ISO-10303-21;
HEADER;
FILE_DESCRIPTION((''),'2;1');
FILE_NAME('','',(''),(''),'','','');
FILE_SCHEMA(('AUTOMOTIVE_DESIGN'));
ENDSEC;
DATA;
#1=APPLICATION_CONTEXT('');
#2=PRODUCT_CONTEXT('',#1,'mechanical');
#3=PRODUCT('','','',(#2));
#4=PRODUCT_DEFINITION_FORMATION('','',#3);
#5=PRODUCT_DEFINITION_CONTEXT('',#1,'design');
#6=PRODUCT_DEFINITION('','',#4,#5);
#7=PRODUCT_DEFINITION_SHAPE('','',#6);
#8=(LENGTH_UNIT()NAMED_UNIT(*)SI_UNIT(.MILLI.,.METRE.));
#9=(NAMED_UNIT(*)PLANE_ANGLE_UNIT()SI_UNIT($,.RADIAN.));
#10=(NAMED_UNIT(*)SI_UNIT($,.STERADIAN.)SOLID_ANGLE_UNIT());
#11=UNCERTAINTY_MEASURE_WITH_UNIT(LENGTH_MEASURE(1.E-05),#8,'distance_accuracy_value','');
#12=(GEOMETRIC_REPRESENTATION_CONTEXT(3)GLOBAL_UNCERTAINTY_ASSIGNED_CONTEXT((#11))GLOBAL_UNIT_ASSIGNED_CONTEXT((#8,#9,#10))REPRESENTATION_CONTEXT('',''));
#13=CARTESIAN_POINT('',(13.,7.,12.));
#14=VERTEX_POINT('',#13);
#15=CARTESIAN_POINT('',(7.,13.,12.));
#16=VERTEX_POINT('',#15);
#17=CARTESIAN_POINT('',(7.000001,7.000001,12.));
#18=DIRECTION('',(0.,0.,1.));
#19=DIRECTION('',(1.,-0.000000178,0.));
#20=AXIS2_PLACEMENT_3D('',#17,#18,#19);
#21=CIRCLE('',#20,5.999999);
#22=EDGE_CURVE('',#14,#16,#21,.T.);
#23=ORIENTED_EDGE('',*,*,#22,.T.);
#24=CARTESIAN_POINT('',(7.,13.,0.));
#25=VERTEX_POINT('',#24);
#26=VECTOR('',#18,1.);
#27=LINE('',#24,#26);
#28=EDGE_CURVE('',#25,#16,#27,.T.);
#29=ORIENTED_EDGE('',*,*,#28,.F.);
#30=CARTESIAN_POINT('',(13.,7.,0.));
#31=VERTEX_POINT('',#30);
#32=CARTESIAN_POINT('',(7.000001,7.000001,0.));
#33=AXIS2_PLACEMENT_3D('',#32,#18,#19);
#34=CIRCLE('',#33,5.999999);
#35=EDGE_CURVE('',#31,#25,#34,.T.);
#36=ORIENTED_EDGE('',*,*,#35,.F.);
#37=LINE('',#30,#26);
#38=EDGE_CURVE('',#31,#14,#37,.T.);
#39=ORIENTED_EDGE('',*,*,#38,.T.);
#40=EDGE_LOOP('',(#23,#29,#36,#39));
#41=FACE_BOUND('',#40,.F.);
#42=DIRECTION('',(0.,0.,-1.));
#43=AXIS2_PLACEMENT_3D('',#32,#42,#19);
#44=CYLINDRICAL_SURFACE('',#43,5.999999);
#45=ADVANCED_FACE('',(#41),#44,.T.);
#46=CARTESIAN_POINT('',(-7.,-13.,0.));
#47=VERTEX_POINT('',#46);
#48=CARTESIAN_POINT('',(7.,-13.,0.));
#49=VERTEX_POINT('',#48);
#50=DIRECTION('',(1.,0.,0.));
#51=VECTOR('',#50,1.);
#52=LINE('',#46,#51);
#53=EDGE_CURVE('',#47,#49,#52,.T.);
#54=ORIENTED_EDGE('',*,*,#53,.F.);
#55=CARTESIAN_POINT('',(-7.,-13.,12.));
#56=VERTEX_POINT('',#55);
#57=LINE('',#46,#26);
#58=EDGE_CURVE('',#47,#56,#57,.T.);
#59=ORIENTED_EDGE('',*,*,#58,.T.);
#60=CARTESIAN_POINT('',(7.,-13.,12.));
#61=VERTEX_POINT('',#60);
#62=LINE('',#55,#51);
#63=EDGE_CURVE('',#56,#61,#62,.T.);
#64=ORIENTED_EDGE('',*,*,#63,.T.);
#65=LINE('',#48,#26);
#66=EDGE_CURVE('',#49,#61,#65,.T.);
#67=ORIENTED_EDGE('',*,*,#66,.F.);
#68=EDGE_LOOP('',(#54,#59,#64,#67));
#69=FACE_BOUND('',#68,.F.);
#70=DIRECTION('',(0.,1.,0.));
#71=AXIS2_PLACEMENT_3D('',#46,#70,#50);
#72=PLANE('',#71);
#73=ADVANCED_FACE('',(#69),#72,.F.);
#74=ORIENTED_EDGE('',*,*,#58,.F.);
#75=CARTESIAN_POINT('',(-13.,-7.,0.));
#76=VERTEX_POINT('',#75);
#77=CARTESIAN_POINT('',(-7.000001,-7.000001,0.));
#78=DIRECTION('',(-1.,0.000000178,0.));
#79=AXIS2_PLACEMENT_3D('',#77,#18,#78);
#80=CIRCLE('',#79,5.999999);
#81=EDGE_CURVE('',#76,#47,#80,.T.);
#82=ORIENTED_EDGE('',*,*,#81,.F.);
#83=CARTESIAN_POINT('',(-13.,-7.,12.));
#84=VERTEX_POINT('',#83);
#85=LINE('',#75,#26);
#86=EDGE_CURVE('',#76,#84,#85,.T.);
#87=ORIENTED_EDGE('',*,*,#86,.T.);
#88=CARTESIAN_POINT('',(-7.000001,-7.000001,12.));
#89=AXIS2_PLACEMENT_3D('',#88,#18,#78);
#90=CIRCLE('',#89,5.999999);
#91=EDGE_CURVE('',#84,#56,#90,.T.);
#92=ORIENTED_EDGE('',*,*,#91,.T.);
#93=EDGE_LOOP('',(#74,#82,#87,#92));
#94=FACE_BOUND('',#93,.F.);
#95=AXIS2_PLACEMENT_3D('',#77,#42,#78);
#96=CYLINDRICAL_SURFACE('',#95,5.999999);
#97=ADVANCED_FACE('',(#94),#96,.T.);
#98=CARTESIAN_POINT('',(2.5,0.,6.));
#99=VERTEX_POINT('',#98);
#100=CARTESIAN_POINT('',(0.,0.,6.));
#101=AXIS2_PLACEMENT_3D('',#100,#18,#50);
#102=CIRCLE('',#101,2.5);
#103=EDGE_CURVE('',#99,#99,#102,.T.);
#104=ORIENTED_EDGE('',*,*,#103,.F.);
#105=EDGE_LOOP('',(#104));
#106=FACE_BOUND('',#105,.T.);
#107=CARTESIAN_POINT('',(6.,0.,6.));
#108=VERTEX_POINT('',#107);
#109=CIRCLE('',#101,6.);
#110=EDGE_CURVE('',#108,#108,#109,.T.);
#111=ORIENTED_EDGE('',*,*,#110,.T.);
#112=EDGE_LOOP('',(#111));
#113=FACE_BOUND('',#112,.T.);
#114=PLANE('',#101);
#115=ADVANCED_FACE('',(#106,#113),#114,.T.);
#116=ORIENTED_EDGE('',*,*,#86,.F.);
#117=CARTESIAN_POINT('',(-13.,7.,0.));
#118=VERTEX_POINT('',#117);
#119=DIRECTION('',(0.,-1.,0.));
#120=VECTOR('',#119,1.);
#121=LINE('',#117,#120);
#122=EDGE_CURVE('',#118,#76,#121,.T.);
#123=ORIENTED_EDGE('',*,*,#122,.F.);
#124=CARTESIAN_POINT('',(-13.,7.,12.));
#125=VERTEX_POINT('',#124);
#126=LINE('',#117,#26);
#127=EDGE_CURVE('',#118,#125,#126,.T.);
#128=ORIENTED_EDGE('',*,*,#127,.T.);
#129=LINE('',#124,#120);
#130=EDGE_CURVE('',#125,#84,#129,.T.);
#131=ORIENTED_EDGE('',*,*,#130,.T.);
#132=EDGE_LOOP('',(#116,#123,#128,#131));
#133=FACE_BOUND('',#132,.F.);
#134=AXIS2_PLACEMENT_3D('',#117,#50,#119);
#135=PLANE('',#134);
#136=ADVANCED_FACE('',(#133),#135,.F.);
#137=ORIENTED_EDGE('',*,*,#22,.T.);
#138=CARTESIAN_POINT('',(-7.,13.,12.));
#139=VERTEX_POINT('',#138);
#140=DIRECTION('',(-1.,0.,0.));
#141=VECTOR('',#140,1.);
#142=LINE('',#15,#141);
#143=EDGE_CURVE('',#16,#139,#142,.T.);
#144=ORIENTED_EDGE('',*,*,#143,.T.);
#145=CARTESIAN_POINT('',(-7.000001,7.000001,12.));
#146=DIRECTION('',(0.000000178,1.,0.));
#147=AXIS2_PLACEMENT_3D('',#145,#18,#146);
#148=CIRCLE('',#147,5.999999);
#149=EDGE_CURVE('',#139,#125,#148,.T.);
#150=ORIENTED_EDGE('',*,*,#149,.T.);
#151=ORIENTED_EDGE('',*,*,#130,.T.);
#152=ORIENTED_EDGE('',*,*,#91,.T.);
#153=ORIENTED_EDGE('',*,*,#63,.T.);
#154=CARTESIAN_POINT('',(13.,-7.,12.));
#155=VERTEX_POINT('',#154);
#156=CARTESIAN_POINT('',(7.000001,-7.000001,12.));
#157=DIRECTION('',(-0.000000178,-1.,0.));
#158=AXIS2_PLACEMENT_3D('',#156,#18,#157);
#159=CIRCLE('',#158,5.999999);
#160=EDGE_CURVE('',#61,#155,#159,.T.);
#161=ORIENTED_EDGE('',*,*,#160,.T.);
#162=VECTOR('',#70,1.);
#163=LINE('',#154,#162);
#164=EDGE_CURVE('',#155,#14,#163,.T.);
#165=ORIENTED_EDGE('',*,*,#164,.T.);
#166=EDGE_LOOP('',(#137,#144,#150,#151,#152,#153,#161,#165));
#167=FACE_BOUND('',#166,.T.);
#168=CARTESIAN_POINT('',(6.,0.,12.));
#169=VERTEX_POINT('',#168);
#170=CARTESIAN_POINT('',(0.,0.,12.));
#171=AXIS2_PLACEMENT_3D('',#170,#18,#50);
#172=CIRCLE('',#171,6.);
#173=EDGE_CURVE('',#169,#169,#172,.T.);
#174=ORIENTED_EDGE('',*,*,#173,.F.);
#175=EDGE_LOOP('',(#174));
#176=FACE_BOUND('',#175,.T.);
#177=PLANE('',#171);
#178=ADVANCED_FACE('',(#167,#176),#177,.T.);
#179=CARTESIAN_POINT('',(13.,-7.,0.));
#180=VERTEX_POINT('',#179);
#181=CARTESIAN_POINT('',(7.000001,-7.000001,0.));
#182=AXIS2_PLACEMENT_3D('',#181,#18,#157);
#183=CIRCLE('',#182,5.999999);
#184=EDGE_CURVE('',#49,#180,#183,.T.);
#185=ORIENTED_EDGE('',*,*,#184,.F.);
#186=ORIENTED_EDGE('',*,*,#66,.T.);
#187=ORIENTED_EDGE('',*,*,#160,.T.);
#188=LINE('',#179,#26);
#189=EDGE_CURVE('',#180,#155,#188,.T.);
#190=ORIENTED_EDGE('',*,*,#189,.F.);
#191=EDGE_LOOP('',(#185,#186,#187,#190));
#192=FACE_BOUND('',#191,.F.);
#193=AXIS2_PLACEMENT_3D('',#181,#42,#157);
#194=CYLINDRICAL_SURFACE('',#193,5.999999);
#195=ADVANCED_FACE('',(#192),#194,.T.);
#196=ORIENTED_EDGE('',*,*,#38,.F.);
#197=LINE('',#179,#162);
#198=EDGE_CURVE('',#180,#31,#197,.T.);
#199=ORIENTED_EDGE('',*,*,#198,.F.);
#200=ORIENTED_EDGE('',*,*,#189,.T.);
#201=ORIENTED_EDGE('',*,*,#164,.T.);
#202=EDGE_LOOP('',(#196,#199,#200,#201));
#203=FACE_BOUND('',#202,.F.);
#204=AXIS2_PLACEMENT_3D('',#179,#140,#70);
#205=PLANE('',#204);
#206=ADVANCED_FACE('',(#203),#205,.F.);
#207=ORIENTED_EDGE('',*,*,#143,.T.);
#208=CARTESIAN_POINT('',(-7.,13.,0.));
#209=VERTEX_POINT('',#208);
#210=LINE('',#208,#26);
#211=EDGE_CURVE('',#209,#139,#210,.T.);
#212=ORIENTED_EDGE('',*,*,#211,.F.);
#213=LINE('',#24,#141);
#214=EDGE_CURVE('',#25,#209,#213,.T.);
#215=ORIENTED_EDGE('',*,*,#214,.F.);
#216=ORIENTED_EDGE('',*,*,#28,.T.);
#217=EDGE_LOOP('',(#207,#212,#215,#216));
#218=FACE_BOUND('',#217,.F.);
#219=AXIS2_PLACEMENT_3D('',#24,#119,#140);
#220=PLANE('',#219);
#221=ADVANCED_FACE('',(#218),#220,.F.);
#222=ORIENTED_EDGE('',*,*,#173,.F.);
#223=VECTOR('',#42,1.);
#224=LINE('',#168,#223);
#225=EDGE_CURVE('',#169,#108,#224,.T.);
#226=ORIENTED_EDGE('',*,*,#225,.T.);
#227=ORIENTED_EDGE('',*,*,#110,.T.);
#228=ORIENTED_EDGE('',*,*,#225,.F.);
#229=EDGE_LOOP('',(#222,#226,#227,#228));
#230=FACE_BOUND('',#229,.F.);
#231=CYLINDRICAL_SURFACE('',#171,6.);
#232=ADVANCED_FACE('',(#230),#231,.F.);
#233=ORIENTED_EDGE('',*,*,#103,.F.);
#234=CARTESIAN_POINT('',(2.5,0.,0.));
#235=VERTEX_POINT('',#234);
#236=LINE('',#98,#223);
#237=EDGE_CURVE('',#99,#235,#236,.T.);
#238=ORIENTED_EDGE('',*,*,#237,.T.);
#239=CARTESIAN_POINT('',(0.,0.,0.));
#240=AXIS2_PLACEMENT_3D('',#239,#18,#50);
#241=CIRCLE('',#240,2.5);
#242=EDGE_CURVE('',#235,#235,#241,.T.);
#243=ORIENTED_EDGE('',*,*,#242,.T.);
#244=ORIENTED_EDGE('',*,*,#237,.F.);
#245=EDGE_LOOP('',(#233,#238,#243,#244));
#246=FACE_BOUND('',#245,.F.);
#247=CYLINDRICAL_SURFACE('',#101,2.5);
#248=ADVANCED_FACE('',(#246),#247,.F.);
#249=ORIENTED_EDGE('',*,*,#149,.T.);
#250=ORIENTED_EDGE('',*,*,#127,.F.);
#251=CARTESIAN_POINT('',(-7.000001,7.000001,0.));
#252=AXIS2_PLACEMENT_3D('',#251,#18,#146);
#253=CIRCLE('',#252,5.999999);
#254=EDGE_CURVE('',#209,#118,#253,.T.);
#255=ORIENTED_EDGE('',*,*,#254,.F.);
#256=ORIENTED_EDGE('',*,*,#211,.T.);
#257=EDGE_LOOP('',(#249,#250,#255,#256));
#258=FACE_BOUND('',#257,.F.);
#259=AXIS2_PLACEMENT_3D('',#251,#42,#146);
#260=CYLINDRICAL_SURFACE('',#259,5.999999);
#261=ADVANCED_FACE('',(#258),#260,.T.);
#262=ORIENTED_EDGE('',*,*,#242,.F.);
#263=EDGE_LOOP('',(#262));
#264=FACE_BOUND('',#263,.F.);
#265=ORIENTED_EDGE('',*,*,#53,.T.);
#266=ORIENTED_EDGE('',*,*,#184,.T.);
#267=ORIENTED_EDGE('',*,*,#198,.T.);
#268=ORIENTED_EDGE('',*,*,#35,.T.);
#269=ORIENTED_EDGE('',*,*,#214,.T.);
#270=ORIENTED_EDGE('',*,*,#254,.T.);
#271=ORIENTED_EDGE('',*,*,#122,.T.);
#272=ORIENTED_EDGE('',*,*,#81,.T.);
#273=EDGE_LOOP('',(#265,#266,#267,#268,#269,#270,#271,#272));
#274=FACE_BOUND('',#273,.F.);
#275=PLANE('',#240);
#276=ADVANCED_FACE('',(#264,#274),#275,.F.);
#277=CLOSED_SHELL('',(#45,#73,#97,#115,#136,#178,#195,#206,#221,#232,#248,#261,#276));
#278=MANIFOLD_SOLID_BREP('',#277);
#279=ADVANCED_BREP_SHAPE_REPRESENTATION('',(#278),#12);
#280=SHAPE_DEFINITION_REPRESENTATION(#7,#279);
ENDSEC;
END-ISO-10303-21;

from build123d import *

# Parameters (mm, degrees)
F1_DEPTH = 12
F2_R     = 6
F3_DEPTH = 6
F4_R     = 2.5
F5_DEPTH = 31.5


with BuildPart() as f1:
    # F0 (on Top) → F1 (new body)
    with BuildSketch(Plane.XY):
        with BuildLine():
            Line((-7, -13), (7, -13))
            ThreePointArc((7, -13), (11.242641, -11.242641), (13, -7))
            Line((13, -7), (13, 7))
            ThreePointArc((13, 7), (11.242641, 11.242641), (7, 13))
            Line((7, 13), (-7, 13))
            ThreePointArc((-7, 13), (-11.242641, 11.242641), (-13, 7))
            Line((-13, 7), (-13, -7))
            ThreePointArc((-13, -7), (-11.242641, -11.242641), (-7, -13))
        make_face()
    extrude(amount=F1_DEPTH)

    # F2 (on face) → F3 (cut)
    with BuildSketch(Plane.XY.offset(12)):
        Circle(F2_R)
    extrude(amount=-F3_DEPTH, mode=Mode.SUBTRACT)

    # F4 (on face) → F5 (cut)
    with BuildSketch(Plane.XY.offset(6)):
        Circle(F4_R)
    extrude(amount=-F5_DEPTH, mode=Mode.SUBTRACT)


solid = f1.part
